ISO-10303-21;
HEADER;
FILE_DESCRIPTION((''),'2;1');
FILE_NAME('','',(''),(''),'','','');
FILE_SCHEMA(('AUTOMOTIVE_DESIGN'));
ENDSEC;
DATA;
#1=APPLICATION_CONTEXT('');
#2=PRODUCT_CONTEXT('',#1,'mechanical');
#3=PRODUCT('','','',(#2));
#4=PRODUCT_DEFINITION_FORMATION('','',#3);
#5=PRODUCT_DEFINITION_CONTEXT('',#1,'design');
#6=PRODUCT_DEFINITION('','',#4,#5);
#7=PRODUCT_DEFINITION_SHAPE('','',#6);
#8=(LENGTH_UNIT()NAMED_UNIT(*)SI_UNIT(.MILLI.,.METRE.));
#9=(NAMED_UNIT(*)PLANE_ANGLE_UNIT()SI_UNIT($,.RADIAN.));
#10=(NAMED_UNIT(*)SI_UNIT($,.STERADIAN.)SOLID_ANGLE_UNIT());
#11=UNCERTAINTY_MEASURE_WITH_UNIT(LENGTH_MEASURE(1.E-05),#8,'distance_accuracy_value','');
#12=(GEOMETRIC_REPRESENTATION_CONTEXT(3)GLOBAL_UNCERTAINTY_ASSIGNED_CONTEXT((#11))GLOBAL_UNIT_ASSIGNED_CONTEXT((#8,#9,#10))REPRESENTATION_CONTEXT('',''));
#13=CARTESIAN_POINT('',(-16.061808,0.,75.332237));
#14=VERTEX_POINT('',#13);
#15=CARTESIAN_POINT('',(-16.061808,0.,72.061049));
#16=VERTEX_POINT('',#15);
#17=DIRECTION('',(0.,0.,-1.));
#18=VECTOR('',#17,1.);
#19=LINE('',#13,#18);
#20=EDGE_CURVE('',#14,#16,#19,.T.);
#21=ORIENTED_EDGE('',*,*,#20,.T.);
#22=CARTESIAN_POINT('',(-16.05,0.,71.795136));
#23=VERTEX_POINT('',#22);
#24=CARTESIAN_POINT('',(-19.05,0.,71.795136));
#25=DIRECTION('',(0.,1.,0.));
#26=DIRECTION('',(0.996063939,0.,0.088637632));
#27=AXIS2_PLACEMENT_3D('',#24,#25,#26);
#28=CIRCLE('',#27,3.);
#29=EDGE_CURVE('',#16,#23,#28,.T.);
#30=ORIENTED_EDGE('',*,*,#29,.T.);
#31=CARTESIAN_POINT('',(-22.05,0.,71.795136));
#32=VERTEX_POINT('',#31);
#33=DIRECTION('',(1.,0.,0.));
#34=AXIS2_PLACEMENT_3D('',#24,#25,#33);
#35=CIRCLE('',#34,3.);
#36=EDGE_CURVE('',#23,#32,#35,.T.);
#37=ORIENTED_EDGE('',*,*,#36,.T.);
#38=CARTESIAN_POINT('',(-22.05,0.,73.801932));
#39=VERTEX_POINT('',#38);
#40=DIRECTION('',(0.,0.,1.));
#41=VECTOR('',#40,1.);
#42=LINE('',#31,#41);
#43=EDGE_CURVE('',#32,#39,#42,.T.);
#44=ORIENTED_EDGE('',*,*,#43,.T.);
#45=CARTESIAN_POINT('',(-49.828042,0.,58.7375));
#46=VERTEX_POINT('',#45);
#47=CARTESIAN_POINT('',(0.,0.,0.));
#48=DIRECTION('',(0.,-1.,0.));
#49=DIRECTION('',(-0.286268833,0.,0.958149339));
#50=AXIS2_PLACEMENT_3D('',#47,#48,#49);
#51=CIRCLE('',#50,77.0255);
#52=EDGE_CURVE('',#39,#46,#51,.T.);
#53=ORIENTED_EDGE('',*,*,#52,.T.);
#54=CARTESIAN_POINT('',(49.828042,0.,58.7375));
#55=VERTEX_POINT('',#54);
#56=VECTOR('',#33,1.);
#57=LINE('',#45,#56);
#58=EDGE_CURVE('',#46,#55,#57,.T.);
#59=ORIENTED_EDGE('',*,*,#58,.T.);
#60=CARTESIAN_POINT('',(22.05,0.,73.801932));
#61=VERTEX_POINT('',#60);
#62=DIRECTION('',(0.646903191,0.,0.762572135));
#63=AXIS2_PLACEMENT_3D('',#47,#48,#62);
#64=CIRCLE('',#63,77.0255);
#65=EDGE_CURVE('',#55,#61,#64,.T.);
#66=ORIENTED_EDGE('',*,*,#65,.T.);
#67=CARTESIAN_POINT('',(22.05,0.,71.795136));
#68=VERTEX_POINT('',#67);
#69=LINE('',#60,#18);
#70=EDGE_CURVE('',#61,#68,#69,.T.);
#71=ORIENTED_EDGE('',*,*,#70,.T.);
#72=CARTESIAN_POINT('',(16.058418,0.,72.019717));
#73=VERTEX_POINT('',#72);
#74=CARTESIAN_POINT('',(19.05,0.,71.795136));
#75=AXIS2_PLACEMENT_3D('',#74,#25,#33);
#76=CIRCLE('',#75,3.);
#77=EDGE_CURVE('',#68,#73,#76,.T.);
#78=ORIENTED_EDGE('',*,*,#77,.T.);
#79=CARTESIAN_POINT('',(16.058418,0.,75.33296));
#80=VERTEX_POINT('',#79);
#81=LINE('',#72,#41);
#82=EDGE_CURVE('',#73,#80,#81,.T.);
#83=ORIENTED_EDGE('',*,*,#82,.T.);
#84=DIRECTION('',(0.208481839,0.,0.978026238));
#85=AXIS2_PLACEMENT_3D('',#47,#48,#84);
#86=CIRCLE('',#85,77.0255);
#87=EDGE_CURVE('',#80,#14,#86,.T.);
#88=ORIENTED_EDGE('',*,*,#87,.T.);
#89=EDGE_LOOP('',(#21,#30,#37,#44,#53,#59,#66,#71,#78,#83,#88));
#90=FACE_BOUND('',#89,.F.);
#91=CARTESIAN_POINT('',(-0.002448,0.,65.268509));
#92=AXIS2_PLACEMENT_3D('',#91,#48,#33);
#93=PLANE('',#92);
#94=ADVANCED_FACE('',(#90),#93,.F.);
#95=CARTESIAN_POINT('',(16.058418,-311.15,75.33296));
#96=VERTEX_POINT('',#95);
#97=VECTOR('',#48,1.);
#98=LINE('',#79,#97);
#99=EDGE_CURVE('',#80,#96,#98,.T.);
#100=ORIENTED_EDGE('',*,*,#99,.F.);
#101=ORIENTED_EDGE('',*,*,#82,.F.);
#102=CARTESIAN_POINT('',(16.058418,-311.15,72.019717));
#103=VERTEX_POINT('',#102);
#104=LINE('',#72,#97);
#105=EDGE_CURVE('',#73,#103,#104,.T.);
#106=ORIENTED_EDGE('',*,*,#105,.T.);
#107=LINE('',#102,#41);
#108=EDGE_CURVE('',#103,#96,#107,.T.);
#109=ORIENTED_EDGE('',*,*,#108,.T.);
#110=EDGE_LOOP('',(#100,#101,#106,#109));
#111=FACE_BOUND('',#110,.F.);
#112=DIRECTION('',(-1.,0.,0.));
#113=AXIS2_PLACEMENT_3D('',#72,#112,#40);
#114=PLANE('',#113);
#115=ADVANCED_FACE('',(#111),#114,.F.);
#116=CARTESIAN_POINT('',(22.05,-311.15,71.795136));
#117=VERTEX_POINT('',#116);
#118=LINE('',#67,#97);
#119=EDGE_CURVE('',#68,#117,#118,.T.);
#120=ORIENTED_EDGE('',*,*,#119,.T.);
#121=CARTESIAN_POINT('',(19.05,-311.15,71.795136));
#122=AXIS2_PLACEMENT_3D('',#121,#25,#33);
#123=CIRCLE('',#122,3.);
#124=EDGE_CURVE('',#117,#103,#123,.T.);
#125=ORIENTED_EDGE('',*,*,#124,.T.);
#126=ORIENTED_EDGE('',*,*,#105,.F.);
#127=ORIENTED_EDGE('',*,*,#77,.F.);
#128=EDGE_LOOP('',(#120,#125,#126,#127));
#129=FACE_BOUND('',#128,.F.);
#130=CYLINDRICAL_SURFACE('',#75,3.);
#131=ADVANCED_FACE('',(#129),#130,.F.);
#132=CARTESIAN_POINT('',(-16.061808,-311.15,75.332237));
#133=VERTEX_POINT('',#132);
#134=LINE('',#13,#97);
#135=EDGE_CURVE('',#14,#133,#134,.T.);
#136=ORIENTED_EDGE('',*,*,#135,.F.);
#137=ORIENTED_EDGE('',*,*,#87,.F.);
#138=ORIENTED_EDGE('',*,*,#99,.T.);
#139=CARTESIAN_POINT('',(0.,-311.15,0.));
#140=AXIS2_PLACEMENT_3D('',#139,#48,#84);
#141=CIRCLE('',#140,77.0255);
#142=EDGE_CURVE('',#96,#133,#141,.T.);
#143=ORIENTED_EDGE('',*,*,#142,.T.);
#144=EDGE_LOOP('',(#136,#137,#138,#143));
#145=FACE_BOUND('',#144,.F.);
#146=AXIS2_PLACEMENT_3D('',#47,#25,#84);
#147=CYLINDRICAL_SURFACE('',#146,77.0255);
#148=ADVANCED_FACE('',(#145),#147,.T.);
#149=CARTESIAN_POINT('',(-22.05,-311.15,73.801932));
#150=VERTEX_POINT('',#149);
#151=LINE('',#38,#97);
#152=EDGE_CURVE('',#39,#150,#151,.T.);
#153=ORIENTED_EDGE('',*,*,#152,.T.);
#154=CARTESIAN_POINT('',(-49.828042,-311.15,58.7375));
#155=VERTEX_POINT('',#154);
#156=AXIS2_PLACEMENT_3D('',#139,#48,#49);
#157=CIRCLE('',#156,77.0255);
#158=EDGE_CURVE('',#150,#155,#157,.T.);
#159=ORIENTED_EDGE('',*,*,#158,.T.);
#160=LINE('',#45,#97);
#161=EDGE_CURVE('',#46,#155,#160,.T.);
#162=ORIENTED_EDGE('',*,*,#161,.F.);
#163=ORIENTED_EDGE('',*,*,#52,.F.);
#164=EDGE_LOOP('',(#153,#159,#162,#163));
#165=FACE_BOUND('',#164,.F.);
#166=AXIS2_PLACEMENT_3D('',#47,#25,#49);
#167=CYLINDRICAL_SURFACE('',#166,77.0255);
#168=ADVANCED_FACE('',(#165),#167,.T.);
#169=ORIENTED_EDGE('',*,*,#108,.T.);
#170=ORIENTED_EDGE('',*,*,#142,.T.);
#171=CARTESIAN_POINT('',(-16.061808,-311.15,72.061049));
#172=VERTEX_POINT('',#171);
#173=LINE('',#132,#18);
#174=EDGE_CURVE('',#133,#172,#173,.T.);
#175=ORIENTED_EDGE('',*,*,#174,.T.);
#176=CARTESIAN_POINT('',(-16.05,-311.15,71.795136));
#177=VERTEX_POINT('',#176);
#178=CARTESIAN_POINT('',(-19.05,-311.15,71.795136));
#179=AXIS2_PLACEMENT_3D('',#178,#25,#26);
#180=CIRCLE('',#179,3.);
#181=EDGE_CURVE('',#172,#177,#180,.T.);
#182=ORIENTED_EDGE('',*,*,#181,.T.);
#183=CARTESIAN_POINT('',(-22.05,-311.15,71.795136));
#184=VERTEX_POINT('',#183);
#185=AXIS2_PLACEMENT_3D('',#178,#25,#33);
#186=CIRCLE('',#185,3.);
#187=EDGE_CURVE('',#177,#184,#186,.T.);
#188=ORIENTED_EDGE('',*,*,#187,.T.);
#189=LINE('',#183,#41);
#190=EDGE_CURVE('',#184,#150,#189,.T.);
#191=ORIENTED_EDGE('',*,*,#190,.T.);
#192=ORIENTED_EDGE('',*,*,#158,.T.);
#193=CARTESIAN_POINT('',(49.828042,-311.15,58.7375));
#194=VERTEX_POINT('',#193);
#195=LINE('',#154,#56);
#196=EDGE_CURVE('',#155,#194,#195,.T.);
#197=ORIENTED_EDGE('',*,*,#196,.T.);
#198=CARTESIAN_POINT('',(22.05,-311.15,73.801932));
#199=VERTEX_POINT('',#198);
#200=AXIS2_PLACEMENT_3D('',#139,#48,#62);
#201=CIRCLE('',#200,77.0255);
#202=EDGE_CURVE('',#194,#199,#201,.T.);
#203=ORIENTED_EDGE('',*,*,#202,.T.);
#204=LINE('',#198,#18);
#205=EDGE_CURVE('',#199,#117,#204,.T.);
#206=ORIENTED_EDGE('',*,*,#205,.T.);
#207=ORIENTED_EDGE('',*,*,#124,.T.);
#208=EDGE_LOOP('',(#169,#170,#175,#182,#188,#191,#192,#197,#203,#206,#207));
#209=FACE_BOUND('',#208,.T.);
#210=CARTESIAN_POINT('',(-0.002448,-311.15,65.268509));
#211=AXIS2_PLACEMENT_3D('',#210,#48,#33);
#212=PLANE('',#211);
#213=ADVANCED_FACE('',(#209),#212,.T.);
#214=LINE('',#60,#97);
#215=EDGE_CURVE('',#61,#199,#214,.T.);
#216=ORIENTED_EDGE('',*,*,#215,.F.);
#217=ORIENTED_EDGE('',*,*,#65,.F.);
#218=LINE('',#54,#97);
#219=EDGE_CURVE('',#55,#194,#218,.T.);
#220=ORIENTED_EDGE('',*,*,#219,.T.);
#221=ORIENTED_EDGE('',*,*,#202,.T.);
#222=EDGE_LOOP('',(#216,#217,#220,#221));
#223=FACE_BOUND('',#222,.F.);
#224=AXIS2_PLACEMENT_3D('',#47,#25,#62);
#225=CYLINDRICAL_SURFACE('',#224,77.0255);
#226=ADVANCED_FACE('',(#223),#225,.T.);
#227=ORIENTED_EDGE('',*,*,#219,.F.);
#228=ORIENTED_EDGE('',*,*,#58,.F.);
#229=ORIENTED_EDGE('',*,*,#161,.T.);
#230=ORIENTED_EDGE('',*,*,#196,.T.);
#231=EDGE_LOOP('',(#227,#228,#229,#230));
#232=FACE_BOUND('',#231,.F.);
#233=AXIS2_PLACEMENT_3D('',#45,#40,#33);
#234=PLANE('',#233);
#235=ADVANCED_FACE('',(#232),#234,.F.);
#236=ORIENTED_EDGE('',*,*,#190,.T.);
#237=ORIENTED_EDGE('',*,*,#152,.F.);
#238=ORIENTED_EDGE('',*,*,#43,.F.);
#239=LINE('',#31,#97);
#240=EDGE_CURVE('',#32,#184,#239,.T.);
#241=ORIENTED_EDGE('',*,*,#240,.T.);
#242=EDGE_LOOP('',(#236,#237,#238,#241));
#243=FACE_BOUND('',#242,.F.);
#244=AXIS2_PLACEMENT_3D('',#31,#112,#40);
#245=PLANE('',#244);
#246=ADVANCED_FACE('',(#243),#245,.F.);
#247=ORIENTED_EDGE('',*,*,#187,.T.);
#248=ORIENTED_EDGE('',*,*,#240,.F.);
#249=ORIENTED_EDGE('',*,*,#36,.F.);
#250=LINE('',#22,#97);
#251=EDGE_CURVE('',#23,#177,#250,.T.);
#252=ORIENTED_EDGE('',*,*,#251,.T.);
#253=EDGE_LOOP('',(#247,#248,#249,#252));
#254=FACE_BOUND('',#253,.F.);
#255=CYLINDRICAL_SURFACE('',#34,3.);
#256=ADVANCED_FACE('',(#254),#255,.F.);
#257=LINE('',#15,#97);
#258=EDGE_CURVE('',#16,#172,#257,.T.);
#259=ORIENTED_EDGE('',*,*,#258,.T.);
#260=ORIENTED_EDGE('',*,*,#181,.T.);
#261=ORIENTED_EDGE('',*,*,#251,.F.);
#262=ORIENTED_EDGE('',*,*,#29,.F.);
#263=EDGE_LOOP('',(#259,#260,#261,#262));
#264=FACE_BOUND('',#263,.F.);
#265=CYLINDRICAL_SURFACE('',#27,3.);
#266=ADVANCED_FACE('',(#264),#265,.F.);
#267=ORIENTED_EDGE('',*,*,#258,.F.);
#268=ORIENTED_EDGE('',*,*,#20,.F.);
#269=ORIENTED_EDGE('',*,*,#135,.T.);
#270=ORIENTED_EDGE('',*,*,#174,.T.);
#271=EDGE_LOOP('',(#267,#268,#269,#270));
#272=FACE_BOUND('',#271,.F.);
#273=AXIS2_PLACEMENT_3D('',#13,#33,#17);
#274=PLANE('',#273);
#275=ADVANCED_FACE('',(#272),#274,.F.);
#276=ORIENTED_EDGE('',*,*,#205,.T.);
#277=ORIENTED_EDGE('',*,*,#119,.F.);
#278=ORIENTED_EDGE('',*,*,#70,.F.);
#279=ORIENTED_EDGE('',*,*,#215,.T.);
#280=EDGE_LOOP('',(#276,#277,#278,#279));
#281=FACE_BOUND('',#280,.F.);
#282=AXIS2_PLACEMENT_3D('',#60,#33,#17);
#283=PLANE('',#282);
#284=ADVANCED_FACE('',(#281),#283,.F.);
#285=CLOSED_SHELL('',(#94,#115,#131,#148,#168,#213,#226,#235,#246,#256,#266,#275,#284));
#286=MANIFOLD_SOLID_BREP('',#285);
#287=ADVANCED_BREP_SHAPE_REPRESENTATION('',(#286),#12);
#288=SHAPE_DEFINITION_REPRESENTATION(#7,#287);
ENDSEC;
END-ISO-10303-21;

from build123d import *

# Parameters (mm, degrees)
F1_DEPTH = 311.15


with BuildPart() as f1:
    # F0 (on Front) → F1 (new body)
    with BuildSketch(Plane.XZ):
        with BuildLine():
            Line((-49.8280417436, 58.7375), (49.8280417436, 58.7375))
            ThreePointArc((49.8280417436, 58.7375), (36.7198515553, 67.7095277786), (22.05, 73.801931887))
            Line((22.05, 73.801931887), (22.05, 71.7951364665))
            ThreePointArc((22.05, 71.7951364665), (18.9376310607, 68.7972416683), (16.0584178523, 72.0197166389))
            Line((16.0584178523, 72.0197166389), (16.0584178523, 75.3329600263))
            ThreePointArc((16.0584178523, 75.3329600263), (-0.00173326, 77.0254999805), (-16.0618081837, 75.3322372436))
            Line((-16.0618081837, 75.3322372436), (-16.0618081837, 72.0610493636))
            ThreePointArc((-16.0618081837, 72.0610493636), (-16.0529534998, 71.9282239397), (-16.05, 71.7951364665))
            ThreePointArc((-16.05, 71.7951364665), (-19.05, 68.7951364665), (-22.05, 71.7951364665))
            Line((-22.05, 71.7951364665), (-22.05, 73.801931887))
            ThreePointArc((-22.05, 73.801931887), (-36.7198515553, 67.7095277787), (-49.8280417436, 58.7375))
        make_face()
    extrude(amount=F1_DEPTH)


solid = f1.part
